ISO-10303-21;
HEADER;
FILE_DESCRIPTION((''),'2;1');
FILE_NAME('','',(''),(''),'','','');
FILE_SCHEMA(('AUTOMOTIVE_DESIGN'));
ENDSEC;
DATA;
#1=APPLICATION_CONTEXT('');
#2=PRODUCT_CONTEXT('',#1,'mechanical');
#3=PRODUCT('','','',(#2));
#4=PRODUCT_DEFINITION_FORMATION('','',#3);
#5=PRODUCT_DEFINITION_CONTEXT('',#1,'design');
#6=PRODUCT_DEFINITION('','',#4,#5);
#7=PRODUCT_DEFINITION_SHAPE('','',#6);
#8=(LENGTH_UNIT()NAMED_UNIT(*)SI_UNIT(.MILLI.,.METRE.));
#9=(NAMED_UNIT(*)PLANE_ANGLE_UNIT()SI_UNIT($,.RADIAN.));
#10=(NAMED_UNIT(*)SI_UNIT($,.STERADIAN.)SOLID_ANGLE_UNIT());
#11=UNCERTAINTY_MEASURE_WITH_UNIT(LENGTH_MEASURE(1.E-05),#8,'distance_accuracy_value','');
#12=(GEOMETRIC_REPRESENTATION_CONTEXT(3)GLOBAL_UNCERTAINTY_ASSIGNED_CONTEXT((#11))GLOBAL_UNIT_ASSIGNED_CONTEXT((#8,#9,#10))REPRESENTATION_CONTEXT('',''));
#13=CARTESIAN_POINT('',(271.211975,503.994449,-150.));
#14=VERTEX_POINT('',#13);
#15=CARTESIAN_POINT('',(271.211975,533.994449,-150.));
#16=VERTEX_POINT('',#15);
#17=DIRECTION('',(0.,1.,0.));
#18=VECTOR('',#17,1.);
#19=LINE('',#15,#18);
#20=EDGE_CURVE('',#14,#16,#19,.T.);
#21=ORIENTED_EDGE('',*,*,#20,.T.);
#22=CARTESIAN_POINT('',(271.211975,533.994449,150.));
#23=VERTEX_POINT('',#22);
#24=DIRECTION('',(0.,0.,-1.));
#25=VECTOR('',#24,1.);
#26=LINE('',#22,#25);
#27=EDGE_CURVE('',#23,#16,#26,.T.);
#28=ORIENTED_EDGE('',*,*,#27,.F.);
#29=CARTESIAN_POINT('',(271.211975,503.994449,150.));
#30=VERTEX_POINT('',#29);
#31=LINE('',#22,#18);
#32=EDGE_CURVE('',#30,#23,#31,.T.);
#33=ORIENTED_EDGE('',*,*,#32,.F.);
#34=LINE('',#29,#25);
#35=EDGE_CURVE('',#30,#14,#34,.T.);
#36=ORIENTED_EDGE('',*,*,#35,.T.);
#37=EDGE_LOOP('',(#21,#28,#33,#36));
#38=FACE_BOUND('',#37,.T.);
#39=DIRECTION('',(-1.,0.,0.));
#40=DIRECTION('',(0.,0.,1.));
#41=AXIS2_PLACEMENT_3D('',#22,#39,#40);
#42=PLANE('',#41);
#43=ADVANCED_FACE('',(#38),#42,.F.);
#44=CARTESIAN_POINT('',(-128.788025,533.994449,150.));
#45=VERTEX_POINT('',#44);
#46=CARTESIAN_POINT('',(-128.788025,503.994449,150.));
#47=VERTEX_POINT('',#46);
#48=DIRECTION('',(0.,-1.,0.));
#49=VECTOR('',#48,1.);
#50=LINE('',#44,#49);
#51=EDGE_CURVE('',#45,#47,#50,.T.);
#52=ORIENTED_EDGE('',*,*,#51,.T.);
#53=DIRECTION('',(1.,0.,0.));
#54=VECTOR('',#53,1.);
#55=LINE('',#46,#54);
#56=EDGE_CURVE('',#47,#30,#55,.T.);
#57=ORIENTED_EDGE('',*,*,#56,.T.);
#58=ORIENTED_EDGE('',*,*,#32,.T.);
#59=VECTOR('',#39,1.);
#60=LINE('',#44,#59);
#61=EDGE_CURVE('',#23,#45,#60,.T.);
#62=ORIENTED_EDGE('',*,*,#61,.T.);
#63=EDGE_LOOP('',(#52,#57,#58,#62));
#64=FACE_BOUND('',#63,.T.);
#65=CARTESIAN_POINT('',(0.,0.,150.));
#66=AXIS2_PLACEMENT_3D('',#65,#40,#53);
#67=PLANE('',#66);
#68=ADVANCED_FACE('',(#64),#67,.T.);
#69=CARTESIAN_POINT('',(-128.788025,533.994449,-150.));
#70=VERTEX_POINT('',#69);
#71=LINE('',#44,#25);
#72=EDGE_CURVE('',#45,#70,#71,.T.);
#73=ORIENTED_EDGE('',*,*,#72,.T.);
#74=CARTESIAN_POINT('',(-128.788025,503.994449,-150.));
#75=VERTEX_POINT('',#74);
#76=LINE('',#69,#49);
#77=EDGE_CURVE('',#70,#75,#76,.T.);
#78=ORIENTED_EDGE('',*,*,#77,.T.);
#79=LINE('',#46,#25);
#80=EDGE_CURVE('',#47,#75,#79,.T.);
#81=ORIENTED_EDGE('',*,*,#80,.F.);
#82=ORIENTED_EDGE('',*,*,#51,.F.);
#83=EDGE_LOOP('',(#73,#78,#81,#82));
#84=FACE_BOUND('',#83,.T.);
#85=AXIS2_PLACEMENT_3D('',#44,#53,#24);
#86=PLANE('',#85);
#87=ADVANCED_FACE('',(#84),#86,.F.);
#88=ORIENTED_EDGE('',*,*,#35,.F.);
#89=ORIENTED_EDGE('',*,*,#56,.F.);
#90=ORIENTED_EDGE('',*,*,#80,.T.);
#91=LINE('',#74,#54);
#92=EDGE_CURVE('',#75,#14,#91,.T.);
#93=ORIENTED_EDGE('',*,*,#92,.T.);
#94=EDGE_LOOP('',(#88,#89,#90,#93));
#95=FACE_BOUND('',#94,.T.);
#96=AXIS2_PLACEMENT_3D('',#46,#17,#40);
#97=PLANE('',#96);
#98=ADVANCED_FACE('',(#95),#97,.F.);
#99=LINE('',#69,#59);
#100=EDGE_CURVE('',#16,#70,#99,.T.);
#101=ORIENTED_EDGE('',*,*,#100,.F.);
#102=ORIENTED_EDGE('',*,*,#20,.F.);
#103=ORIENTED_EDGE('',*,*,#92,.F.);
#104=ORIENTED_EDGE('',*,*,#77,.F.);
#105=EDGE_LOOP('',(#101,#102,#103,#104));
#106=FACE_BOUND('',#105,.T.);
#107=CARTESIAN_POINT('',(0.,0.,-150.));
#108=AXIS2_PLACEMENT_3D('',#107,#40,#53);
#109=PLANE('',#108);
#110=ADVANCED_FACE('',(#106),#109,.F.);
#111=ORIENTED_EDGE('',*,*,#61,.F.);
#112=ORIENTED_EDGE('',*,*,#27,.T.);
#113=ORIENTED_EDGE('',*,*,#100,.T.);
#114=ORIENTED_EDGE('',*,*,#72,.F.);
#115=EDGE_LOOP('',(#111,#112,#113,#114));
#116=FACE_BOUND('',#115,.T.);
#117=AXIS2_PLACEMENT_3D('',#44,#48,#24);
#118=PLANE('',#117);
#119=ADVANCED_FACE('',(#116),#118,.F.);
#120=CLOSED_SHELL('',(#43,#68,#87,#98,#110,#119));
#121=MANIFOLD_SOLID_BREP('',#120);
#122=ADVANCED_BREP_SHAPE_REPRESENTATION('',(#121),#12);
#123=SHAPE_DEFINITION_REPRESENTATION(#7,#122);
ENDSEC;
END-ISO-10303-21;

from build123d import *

# Parameters (mm, degrees)
SKETCH1_W           = 400
SKETCH1_H           = 30
BOSS_EXTRUDE1_DEPTH = 150


with BuildPart() as part:
    # Sketch1 → Boss-Extrude1 (new, symmetric)
    with BuildSketch(Plane.XY):
        with Locations((71.211975439, 518.994449049)):
            Rectangle(SKETCH1_W, SKETCH1_H)
    extrude(amount=BOSS_EXTRUDE1_DEPTH, both=True)


solid = part.part
